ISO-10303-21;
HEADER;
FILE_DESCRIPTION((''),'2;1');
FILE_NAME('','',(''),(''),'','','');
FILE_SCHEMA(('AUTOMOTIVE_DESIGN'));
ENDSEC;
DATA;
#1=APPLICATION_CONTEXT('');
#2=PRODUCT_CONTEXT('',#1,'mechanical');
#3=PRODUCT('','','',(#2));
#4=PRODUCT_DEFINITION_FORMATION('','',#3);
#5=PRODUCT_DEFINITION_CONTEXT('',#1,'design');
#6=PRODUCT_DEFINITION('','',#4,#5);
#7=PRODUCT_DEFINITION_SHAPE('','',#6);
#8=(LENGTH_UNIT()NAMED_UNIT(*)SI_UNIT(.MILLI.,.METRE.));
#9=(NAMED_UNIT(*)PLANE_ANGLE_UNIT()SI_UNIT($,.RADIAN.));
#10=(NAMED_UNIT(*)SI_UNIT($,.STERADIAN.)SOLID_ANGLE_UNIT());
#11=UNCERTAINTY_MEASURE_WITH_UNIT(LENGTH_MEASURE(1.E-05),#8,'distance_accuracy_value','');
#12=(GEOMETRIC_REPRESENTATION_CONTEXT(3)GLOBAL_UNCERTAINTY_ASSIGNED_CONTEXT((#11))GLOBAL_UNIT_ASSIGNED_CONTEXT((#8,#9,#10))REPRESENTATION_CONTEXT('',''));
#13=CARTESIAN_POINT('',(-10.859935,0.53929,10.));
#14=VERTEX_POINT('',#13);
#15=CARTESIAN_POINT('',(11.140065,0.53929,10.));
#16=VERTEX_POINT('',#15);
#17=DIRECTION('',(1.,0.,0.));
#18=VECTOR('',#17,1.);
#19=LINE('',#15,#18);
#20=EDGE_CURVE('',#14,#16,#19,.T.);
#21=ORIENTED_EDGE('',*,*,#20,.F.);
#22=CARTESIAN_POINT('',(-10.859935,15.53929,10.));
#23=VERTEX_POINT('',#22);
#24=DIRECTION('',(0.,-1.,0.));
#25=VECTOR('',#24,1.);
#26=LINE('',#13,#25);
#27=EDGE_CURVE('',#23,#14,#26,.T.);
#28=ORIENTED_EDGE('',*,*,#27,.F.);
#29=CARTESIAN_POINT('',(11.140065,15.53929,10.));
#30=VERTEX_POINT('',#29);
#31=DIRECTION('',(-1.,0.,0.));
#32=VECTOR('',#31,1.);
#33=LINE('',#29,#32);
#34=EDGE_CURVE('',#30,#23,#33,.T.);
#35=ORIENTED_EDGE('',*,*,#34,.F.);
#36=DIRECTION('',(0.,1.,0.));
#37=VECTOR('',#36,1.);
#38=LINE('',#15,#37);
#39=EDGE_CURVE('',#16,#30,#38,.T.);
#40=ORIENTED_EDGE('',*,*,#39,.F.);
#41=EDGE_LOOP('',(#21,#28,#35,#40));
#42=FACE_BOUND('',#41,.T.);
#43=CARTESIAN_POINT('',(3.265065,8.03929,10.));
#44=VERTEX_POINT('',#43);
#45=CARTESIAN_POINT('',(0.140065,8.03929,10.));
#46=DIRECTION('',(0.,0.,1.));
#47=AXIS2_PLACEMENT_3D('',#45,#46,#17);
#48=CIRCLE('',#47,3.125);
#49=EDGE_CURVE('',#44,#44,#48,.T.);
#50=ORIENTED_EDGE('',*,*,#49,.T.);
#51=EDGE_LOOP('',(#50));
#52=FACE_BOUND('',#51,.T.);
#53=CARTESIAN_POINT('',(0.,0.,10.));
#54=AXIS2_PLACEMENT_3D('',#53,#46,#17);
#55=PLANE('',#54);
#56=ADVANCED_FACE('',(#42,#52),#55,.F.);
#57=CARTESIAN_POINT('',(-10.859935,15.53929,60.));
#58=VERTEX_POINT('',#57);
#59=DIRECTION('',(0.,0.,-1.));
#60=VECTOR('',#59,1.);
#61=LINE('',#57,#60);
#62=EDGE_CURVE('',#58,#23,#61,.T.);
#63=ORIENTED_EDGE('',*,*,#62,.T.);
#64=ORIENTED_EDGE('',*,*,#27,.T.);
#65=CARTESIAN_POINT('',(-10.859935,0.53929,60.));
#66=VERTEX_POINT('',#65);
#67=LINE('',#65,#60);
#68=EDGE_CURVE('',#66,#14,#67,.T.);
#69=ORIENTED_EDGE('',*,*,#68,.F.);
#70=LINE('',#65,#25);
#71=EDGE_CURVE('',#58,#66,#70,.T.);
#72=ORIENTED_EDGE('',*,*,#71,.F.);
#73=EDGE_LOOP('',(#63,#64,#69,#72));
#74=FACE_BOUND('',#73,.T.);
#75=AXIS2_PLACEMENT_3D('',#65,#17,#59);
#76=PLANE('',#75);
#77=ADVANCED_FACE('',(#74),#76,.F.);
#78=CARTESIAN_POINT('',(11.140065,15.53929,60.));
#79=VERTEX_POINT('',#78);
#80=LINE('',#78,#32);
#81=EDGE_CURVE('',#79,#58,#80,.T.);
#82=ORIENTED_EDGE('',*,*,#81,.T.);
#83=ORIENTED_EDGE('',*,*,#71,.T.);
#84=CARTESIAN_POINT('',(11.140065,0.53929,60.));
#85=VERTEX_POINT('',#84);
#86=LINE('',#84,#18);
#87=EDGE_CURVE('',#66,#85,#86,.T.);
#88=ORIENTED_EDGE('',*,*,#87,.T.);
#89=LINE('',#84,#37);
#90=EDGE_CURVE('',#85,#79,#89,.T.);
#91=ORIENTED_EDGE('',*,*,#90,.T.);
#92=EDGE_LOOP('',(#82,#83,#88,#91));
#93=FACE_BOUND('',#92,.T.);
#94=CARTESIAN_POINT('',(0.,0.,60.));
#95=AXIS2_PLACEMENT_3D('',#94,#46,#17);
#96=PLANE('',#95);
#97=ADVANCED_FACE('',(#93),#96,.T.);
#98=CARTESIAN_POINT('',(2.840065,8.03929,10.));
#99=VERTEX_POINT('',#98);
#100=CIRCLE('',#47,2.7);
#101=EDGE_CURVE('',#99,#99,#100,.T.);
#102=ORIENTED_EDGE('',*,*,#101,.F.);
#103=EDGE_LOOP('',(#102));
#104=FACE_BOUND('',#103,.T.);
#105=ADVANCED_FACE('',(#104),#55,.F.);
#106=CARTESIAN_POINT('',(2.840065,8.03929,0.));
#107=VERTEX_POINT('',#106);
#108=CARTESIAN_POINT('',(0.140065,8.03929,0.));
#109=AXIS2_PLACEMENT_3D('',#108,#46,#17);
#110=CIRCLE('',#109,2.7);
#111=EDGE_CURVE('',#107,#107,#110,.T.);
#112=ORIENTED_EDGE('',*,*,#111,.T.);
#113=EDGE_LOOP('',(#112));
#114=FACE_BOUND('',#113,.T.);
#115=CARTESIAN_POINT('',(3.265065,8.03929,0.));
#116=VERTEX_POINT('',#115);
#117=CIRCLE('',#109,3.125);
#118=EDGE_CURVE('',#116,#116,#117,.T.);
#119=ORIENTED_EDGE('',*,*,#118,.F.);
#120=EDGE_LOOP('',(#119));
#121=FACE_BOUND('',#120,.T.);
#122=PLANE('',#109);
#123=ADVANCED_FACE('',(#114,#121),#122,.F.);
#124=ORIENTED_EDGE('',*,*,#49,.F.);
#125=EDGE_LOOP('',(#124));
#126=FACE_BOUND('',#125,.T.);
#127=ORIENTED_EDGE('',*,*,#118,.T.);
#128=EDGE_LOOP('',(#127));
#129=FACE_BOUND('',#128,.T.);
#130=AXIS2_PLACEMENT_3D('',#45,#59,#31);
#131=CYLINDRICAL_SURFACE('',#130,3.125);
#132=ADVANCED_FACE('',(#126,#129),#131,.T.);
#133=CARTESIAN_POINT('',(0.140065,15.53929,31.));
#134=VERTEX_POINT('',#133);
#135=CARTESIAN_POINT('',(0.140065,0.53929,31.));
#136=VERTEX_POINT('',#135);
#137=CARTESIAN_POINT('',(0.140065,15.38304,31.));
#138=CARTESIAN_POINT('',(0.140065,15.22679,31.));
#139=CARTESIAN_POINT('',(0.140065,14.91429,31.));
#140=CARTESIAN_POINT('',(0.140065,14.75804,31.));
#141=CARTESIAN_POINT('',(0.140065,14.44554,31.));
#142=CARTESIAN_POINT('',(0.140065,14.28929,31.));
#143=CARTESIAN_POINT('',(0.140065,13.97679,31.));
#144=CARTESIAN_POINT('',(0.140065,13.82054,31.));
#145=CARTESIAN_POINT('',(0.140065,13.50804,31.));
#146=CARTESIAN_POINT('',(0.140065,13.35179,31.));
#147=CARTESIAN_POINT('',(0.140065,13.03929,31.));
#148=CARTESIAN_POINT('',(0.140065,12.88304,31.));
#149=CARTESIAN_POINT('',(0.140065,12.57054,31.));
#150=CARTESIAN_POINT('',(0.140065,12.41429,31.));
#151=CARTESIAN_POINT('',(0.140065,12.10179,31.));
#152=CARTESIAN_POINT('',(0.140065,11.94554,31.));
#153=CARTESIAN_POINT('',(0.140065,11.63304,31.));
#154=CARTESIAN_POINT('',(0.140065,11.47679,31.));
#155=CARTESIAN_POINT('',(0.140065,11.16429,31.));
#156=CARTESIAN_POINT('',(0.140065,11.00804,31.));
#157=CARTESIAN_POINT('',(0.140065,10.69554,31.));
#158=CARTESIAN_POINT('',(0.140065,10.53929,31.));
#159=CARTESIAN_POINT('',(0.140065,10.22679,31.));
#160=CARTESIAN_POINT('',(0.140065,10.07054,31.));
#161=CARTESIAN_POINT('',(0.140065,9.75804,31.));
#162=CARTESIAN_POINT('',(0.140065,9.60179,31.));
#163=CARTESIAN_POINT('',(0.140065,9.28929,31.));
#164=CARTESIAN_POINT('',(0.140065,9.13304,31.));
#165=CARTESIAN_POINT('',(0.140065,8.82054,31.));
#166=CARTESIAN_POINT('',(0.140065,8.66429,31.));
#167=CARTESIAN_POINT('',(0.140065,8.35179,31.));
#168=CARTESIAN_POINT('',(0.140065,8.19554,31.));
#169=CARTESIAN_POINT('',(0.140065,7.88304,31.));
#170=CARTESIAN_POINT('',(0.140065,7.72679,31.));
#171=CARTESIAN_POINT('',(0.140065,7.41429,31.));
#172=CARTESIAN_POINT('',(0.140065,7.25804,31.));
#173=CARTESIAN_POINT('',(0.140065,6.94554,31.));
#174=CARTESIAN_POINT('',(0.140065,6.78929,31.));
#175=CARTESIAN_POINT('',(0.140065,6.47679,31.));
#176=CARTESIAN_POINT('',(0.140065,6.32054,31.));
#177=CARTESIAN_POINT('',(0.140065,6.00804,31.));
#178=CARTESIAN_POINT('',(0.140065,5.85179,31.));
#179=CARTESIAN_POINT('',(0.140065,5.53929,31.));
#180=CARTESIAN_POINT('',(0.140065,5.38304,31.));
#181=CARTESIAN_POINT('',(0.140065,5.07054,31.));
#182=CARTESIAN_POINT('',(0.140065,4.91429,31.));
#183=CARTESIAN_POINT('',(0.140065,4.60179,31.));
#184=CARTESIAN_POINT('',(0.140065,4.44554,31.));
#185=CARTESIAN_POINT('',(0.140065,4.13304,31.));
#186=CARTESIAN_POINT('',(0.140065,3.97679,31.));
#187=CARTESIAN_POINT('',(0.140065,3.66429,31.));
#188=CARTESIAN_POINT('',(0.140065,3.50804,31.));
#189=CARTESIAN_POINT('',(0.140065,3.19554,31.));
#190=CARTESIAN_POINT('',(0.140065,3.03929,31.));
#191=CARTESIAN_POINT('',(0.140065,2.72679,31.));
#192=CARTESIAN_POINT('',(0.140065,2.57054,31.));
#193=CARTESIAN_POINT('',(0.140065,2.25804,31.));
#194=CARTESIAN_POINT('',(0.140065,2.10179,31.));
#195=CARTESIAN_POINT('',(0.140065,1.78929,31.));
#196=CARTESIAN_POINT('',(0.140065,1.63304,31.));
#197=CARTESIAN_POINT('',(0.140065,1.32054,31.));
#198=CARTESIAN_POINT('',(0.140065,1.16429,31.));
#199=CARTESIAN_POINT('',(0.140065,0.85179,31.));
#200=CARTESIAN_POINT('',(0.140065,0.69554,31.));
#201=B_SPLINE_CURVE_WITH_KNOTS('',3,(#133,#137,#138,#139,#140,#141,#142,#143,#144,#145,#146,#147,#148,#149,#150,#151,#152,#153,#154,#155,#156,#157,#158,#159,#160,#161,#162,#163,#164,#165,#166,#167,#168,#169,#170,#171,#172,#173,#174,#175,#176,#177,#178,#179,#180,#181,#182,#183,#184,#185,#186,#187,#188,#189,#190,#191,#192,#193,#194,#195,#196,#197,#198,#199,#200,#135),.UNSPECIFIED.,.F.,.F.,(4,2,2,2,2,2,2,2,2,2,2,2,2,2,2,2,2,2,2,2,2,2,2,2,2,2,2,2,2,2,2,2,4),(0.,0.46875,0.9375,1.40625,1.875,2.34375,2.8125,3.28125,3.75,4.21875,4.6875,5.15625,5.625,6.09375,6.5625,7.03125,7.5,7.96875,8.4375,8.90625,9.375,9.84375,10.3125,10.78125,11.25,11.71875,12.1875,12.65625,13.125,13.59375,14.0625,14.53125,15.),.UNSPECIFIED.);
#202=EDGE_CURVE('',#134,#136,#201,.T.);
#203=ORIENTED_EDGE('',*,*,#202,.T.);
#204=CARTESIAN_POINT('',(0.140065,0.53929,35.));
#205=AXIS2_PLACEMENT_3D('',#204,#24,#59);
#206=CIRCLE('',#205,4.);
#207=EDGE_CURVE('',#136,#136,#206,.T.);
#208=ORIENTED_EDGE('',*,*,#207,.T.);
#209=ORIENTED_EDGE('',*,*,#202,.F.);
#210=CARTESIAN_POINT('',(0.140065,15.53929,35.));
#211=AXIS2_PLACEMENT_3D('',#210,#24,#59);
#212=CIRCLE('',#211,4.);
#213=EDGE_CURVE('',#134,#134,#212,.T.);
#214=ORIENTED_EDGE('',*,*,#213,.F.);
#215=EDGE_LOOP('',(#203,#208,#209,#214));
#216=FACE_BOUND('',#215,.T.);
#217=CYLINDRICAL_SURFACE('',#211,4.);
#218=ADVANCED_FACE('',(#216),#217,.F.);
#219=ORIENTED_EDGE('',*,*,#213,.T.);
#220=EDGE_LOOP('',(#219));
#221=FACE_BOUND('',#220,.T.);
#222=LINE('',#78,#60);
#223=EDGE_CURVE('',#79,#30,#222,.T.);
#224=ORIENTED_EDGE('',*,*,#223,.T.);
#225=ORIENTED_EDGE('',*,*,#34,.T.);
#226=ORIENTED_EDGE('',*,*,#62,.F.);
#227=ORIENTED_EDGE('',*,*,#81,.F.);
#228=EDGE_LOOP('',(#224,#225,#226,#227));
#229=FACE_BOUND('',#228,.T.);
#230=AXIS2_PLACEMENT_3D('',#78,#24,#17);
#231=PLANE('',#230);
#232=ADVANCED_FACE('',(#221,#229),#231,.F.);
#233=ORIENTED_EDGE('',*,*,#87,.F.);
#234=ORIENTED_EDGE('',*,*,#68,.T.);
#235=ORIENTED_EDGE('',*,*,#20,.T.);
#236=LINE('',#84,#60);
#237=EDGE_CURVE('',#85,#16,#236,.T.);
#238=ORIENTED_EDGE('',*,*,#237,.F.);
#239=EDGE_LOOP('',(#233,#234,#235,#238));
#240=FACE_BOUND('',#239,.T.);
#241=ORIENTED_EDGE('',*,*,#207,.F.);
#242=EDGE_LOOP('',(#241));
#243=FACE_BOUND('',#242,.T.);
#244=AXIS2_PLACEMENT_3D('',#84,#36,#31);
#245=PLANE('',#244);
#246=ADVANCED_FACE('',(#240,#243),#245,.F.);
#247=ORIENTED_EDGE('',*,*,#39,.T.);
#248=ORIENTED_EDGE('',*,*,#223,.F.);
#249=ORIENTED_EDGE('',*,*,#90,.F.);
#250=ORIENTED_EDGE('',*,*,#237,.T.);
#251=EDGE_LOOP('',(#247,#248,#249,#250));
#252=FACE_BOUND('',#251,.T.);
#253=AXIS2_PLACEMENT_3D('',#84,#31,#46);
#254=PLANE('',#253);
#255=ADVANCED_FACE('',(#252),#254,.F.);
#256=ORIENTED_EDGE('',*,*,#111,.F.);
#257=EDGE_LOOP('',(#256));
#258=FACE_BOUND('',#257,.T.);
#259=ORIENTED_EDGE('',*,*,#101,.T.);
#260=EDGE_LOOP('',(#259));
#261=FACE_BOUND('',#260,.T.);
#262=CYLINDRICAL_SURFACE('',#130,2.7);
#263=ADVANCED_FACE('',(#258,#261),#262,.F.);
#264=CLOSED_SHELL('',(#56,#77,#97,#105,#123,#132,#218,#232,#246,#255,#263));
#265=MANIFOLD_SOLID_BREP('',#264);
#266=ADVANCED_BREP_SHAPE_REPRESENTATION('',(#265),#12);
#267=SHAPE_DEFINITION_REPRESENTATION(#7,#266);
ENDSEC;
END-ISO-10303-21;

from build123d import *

# Parameters (mm, degrees)
CROQUIS1_R              = 3.125
CROQUIS1_R_2            = 2.7
SALIENTE_EXTRUIR1_DEPTH = 10
CROQUIS2_W              = 22
CROQUIS2_H              = 15
SALIENTE_EXTRUIR2_DEPTH = 50
CROQUIS3_R              = 4
CORTAR_EXTRUIR1_DEPTH   = 63.841873384


with BuildPart() as part:
    # Croquis1 → Saliente-Extruir1 (new body)
    with BuildSketch(Plane.XY):
        with Locations((0.140065102, 8.039289834)):
            Circle(CROQUIS1_R)
        with Locations((0.140065102, 8.039289834)):
            Circle(CROQUIS1_R_2, mode=Mode.SUBTRACT)
    extrude(amount=SALIENTE_EXTRUIR1_DEPTH)

    # Croquis2 → Saliente-Extruir2 (add)
    with BuildSketch(Plane.XY.offset(10)):
        with Locations((0.140065102, 8.039289834)):
            Rectangle(CROQUIS2_W, CROQUIS2_H)
    extrude(amount=SALIENTE_EXTRUIR2_DEPTH)

    # Croquis3 → Cortar-Extruir1 (cut, through all)
    with BuildSketch(Plane.XZ.offset(-0.539289834)):
        with Locations(Location((0.140065102, 35, 0), (0, 0, 270))):
            Circle(CROQUIS3_R)
    extrude(amount=-CORTAR_EXTRUIR1_DEPTH, mode=Mode.SUBTRACT)


solid = part.part
